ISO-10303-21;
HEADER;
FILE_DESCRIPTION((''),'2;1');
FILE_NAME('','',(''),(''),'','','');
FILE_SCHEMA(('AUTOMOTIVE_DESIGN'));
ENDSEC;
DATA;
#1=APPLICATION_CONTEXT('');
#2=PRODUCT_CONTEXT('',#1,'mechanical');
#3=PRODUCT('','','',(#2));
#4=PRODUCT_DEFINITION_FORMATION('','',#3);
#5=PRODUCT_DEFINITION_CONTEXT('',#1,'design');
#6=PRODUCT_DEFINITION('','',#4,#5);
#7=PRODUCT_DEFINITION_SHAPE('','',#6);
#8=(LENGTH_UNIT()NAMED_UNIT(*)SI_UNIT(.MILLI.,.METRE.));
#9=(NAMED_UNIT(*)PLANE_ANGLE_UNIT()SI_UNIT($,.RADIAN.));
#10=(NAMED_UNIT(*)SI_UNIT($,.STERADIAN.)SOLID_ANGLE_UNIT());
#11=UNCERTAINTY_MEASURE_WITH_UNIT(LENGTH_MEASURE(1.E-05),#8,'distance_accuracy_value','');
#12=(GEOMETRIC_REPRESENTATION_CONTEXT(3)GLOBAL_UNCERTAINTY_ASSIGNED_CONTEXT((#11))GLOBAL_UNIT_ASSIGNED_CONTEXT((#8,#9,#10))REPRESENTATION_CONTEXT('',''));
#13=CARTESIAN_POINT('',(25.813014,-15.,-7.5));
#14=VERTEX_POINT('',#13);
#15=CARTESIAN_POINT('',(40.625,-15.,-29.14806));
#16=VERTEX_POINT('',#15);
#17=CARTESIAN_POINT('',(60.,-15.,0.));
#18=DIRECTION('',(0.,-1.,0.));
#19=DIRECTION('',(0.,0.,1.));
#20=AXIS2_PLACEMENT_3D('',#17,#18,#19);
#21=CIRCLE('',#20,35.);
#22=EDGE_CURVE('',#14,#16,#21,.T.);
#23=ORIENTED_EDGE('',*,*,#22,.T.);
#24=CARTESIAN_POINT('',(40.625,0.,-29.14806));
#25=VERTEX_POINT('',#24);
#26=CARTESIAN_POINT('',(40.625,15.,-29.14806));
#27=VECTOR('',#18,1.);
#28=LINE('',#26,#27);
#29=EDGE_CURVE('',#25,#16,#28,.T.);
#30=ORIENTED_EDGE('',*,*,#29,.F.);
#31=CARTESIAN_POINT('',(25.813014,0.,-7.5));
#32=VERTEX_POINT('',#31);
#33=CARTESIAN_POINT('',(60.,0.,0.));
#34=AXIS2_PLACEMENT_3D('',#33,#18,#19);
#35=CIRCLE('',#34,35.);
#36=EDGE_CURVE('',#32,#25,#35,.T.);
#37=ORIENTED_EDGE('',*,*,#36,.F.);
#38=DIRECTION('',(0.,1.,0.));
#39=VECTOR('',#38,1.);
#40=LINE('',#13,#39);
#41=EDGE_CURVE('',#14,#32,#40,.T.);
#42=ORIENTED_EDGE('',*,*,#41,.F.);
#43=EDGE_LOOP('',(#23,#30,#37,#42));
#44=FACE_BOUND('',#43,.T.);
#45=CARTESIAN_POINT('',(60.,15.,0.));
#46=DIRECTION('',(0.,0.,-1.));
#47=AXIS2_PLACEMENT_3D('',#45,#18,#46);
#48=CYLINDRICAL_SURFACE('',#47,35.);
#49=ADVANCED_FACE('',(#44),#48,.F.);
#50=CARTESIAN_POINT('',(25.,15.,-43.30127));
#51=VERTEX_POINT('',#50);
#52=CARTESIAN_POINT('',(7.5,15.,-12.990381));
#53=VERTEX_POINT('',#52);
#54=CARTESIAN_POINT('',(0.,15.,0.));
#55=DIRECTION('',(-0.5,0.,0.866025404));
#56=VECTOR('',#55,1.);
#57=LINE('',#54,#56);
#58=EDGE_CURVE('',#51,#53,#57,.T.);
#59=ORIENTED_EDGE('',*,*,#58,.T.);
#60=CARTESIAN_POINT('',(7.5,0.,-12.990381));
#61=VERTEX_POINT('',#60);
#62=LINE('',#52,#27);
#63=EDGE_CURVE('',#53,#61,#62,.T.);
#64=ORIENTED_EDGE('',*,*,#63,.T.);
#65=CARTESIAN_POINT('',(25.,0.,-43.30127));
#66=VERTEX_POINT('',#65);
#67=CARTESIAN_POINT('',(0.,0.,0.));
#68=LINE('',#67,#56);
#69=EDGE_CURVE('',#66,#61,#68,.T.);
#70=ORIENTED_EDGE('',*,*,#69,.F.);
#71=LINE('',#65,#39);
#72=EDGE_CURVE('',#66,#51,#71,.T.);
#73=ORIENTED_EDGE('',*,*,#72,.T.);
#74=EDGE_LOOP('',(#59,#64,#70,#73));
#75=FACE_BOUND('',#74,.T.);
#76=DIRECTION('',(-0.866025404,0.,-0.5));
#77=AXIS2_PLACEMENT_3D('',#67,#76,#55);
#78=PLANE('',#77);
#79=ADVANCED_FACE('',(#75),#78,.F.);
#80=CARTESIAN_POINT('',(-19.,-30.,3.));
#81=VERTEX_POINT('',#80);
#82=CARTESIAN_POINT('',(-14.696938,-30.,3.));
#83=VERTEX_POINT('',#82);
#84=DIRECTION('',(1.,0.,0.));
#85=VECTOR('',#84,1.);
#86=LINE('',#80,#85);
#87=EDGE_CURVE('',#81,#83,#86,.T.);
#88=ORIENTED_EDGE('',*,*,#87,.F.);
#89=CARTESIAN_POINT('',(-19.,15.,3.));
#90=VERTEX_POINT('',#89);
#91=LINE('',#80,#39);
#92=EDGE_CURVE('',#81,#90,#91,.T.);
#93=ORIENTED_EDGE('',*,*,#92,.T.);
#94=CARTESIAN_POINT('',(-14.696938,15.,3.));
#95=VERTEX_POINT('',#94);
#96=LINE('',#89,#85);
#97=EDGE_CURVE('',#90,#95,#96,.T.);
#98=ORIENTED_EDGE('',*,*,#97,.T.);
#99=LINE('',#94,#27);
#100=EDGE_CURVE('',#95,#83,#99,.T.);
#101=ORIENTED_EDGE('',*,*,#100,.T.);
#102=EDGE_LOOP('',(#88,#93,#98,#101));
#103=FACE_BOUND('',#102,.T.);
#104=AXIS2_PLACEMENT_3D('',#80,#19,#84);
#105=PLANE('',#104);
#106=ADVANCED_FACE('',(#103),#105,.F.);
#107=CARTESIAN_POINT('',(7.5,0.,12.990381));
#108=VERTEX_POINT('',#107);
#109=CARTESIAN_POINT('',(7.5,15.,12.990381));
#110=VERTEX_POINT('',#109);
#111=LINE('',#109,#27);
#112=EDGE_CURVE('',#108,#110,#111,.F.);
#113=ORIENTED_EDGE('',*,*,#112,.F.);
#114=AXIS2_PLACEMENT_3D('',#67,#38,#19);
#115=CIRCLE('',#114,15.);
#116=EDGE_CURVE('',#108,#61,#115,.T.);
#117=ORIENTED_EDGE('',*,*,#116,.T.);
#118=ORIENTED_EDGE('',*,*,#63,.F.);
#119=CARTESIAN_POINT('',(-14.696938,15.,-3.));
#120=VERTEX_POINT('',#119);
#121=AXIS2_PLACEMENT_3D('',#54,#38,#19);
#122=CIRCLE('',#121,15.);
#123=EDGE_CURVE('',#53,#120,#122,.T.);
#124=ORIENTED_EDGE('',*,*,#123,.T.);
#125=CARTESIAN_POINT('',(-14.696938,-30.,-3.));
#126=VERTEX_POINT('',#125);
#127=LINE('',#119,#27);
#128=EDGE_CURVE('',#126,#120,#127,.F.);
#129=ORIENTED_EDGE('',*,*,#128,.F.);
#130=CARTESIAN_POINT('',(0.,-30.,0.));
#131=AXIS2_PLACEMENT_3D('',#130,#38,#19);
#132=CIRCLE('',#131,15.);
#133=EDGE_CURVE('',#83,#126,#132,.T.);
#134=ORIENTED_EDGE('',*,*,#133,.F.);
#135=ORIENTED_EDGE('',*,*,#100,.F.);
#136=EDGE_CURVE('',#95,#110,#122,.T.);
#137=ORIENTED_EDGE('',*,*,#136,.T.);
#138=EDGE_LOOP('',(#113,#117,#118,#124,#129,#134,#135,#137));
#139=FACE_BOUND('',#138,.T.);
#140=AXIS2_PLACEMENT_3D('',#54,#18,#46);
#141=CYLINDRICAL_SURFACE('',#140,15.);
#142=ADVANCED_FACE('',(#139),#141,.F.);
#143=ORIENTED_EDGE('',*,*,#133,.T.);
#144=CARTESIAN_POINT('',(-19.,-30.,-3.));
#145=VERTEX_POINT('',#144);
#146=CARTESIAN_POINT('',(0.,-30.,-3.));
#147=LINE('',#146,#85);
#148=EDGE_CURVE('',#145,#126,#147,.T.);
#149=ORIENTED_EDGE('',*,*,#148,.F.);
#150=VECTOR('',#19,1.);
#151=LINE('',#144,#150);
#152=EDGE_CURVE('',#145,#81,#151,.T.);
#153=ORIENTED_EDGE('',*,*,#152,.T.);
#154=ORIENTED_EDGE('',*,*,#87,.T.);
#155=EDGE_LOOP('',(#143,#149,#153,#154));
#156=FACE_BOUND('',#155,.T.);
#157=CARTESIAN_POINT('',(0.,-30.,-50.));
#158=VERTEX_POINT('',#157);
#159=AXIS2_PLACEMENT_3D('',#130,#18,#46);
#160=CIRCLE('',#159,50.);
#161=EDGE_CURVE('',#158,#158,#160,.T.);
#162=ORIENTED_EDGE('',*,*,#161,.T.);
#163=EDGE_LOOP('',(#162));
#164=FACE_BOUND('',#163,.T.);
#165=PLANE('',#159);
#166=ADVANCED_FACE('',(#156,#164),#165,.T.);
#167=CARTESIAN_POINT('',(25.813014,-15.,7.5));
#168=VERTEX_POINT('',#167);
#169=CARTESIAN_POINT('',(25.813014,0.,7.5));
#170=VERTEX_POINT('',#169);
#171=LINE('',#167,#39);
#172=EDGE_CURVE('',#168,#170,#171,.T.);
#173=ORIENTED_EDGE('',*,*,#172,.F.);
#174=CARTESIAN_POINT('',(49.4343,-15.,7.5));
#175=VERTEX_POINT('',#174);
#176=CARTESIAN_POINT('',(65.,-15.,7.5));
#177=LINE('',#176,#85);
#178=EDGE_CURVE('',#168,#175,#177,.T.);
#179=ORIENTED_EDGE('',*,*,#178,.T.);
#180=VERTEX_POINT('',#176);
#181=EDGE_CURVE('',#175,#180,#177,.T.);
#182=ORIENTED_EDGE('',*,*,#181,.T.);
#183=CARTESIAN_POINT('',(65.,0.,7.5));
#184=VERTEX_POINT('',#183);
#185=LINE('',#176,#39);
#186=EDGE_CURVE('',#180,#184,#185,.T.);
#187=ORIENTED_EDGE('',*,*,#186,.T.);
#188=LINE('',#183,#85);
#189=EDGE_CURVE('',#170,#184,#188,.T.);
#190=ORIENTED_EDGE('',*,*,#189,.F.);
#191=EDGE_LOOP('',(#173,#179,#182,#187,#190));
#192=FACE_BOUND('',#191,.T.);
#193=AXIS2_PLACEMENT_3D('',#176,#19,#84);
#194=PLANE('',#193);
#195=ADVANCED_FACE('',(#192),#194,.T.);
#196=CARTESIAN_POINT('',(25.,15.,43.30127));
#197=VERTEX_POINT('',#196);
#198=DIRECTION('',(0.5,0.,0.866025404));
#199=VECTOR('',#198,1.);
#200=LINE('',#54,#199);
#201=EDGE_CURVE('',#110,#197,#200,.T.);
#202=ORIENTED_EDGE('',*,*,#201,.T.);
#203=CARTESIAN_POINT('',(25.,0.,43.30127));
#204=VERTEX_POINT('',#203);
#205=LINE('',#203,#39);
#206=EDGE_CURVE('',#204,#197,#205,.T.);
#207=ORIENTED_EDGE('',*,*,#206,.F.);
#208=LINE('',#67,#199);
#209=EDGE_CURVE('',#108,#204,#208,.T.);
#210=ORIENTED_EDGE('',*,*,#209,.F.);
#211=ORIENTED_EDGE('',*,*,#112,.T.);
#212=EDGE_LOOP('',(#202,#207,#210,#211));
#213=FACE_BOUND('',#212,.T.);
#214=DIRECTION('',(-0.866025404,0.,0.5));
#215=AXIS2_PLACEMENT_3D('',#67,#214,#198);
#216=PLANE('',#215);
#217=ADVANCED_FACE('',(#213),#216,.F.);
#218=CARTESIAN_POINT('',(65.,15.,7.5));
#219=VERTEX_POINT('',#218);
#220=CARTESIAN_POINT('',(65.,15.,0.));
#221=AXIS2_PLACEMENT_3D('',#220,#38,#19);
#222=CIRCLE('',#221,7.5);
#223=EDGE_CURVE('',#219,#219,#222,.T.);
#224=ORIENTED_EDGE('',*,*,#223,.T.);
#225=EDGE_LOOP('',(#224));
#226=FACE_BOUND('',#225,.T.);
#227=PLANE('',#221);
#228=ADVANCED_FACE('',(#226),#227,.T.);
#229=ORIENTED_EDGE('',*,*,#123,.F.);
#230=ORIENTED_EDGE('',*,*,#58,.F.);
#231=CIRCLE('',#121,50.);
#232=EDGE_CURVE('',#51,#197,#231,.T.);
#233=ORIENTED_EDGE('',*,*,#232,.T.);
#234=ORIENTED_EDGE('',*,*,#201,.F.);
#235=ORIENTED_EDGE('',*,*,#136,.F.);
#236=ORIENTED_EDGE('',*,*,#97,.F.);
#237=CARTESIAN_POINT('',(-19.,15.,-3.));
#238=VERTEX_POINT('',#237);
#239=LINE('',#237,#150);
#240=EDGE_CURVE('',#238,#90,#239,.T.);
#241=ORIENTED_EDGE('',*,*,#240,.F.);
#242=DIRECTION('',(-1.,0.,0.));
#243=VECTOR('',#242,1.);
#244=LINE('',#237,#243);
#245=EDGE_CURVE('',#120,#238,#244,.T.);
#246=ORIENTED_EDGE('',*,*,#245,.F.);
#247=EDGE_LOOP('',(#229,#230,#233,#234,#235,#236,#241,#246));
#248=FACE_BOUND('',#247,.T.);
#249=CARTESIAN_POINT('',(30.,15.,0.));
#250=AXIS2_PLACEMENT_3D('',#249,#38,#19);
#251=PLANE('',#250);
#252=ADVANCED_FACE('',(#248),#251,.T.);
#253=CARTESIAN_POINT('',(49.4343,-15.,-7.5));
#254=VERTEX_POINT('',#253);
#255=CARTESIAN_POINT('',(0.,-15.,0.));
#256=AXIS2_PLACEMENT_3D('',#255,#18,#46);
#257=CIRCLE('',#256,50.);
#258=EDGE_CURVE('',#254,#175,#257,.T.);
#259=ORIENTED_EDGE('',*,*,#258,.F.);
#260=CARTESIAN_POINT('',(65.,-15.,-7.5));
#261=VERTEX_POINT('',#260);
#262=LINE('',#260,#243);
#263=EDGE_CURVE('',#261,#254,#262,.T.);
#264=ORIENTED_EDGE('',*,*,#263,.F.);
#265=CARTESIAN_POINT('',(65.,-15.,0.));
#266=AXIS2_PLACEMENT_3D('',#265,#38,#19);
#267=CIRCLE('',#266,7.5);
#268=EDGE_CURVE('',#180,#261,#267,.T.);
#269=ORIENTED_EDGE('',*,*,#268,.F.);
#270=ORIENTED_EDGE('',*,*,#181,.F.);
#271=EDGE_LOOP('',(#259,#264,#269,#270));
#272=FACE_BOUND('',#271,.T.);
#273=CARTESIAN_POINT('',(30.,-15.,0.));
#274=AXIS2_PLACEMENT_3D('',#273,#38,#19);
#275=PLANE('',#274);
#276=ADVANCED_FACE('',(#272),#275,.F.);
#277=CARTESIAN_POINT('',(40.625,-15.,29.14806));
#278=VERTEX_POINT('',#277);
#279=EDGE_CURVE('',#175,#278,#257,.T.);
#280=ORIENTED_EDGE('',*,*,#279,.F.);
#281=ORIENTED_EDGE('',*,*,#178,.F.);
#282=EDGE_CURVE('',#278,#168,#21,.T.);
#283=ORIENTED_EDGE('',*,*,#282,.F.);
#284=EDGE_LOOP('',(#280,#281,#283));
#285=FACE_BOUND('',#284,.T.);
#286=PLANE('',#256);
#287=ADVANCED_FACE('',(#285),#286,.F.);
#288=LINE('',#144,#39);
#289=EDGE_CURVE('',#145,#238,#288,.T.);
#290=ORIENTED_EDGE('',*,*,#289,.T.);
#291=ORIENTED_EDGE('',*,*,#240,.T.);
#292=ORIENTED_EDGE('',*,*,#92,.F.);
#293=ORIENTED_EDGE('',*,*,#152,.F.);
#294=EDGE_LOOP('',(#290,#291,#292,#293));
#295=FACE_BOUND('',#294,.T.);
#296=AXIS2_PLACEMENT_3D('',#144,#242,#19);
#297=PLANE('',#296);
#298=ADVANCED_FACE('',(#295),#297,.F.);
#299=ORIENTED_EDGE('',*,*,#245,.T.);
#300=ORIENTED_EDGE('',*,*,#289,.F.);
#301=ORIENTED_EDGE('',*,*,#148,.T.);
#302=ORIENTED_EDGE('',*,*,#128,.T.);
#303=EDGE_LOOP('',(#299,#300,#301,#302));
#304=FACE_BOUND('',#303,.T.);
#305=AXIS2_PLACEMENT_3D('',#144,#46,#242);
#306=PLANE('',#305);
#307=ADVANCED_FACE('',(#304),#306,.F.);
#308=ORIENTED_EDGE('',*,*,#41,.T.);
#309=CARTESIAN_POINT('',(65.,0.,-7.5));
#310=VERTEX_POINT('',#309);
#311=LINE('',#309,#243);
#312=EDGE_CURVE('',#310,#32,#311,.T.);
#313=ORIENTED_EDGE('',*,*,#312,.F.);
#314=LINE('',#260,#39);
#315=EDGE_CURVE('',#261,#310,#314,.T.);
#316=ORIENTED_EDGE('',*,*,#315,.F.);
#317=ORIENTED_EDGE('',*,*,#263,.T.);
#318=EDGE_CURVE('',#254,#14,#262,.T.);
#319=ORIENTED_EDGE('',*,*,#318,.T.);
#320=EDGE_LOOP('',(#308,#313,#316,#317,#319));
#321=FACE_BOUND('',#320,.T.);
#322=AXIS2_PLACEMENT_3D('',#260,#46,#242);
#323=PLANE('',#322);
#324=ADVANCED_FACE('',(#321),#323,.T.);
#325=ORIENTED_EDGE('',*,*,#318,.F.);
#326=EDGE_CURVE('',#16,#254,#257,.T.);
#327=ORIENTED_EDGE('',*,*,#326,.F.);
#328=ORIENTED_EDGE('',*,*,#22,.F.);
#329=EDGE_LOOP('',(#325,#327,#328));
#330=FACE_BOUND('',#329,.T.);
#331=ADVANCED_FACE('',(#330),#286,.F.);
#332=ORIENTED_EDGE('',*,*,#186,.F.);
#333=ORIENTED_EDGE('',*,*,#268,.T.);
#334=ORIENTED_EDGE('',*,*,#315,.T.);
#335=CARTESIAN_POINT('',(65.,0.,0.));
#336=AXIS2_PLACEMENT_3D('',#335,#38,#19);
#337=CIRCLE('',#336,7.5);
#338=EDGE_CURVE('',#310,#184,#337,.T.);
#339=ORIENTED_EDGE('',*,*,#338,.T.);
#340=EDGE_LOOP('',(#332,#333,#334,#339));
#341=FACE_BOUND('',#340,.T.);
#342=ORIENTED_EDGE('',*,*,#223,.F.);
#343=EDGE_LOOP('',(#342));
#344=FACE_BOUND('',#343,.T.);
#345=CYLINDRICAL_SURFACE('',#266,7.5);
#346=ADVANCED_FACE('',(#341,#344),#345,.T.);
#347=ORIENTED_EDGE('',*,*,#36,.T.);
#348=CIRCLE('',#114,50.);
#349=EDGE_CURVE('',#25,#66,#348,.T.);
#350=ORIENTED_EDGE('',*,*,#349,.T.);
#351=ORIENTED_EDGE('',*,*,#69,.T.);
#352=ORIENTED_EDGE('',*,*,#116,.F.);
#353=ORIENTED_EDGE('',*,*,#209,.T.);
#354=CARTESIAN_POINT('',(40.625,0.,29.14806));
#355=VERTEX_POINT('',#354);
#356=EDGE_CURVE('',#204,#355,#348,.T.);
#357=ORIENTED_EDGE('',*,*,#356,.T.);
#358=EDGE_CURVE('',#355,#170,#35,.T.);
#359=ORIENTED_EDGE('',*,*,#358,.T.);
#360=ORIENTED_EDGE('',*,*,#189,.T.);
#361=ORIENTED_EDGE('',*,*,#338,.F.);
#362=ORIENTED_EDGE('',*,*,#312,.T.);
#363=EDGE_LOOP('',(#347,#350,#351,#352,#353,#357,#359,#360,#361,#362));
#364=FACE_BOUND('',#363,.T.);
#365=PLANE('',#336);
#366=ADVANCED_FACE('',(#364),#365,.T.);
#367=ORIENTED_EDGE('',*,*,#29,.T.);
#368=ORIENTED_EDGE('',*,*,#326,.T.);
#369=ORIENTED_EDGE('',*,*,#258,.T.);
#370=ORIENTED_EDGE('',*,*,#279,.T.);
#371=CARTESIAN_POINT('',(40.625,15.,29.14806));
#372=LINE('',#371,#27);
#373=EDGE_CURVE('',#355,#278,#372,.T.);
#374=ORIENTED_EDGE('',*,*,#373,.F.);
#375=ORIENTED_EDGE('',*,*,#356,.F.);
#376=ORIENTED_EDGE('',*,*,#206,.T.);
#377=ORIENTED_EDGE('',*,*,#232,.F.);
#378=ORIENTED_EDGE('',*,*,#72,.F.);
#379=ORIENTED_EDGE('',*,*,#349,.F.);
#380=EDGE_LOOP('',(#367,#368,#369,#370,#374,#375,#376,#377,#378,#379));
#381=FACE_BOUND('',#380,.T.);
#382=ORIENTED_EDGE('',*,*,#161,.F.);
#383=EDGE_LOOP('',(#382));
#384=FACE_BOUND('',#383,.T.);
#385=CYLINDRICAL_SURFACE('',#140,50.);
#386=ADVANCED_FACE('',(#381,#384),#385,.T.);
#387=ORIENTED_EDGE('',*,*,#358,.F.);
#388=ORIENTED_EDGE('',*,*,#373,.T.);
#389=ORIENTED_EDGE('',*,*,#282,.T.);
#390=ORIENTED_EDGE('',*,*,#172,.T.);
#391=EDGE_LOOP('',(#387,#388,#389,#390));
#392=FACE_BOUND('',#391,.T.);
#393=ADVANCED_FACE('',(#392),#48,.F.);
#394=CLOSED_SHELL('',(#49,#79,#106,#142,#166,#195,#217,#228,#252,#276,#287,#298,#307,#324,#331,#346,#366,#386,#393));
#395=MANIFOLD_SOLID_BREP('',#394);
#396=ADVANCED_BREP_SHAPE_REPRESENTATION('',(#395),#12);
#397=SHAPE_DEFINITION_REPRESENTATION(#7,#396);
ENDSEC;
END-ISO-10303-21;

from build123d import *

# Parameters (mm, degrees)
SKETCH1_R           = 15
BOSS_EXTRUDE6_DEPTH = 15
BOSS_EXTRUDE7_DEPTH = 15
SKETCH5_R           = 7.5
BOSS_EXTRUDE8_DEPTH = 30
SKETCH6_R           = 50
BOSS_EXTRUDE9_DEPTH = 15
CUT_EXTRUDE1_DEPTH  = 15
SKETCH8_R           = 15
CUT_EXTRUDE2_DEPTH  = 16
SKETCH9_W           = 8
SKETCH9_H           = 6
CUT_EXTRUDE3_DEPTH  = 46


with BuildPart() as part:
    # Sketch1 → Boss-Extrude6 (new body, symmetric)
    with BuildSketch(Plane(origin=(0, 0, 0), x_dir=(1, 0, 0), z_dir=(0, 1, 0))):
        with BuildLine():
            ThreePointArc((40.625, 29.148059541), (-50, 0), (40.625, -29.148059541))
            ThreePointArc((40.625, -29.148059541), (25, 0), (40.625, 29.148059541))
        make_face()
        Circle(SKETCH1_R, mode=Mode.SUBTRACT)
    extrude(amount=BOSS_EXTRUDE6_DEPTH, both=True)

    # Sketch4 → Boss-Extrude7 (add)
    with BuildSketch(Plane(origin=(0, 0, 0), x_dir=(1, 0, 0), z_dir=(0, 1, 0))):
        with BuildLine():
            Line((65, 7.5), (25.813014172, 7.5))
            ThreePointArc((25.813014172, 7.5), (25, 0), (25.813014172, -7.5))
            Line((25.813014172, -7.5), (65, -7.5))
            ThreePointArc((65, -7.5), (72.5, 0), (65, 7.5))
        make_face()
    extrude(amount=-BOSS_EXTRUDE7_DEPTH)

    # Sketch5 → Boss-Extrude8 (add)
    with BuildSketch(Plane(origin=(0, 15, 0), x_dir=(1, 0, 0), z_dir=(0, 1, 0))):
        with Locations((65, 0)):
            Circle(SKETCH5_R)
    extrude(amount=-BOSS_EXTRUDE8_DEPTH)

    # Sketch6 → Boss-Extrude9 (add)
    with BuildSketch(Plane.XZ.offset(15)):
        Circle(SKETCH6_R)
    extrude(amount=BOSS_EXTRUDE9_DEPTH)

    # Sketch7 → Cut-Extrude1 (cut)
    with BuildSketch(Plane(origin=(0, 15, 0), x_dir=(1, 0, 0), z_dir=(0, 1, 0))):
        with BuildLine():
            Line((0, 0), (25, -43.301270189))
            ThreePointArc((25, -43.301270189), (33.566925673, -37.057543103), (40.625, -29.148059541))
            ThreePointArc((40.625, -29.148059541), (25, 0), (40.625, 29.148059541))
            ThreePointArc((40.625, 29.148059541), (33.566925673, 37.057543103), (25, 43.301270189))
            Line((25, 43.301270189), (0, 0))
        make_face()
    extrude(amount=-CUT_EXTRUDE1_DEPTH, mode=Mode.SUBTRACT)

    # Sketch8 → Cut-Extrude2 (cut, through all)
    with BuildSketch(Plane(origin=(0, -15, 0), x_dir=(1, 0, 0), z_dir=(0, 1, 0))):
        Circle(SKETCH8_R)
    extrude(amount=-CUT_EXTRUDE2_DEPTH, mode=Mode.SUBTRACT)

    # Sketch9 → Cut-Extrude3 (cut, through all)
    with BuildSketch(Plane(origin=(0, 15, 0), x_dir=(1, 0, 0), z_dir=(0, 1, 0))):
        with Locations((-15, 0)):
            Rectangle(SKETCH9_W, SKETCH9_H)
    extrude(amount=-CUT_EXTRUDE3_DEPTH, mode=Mode.SUBTRACT)


solid = part.part
